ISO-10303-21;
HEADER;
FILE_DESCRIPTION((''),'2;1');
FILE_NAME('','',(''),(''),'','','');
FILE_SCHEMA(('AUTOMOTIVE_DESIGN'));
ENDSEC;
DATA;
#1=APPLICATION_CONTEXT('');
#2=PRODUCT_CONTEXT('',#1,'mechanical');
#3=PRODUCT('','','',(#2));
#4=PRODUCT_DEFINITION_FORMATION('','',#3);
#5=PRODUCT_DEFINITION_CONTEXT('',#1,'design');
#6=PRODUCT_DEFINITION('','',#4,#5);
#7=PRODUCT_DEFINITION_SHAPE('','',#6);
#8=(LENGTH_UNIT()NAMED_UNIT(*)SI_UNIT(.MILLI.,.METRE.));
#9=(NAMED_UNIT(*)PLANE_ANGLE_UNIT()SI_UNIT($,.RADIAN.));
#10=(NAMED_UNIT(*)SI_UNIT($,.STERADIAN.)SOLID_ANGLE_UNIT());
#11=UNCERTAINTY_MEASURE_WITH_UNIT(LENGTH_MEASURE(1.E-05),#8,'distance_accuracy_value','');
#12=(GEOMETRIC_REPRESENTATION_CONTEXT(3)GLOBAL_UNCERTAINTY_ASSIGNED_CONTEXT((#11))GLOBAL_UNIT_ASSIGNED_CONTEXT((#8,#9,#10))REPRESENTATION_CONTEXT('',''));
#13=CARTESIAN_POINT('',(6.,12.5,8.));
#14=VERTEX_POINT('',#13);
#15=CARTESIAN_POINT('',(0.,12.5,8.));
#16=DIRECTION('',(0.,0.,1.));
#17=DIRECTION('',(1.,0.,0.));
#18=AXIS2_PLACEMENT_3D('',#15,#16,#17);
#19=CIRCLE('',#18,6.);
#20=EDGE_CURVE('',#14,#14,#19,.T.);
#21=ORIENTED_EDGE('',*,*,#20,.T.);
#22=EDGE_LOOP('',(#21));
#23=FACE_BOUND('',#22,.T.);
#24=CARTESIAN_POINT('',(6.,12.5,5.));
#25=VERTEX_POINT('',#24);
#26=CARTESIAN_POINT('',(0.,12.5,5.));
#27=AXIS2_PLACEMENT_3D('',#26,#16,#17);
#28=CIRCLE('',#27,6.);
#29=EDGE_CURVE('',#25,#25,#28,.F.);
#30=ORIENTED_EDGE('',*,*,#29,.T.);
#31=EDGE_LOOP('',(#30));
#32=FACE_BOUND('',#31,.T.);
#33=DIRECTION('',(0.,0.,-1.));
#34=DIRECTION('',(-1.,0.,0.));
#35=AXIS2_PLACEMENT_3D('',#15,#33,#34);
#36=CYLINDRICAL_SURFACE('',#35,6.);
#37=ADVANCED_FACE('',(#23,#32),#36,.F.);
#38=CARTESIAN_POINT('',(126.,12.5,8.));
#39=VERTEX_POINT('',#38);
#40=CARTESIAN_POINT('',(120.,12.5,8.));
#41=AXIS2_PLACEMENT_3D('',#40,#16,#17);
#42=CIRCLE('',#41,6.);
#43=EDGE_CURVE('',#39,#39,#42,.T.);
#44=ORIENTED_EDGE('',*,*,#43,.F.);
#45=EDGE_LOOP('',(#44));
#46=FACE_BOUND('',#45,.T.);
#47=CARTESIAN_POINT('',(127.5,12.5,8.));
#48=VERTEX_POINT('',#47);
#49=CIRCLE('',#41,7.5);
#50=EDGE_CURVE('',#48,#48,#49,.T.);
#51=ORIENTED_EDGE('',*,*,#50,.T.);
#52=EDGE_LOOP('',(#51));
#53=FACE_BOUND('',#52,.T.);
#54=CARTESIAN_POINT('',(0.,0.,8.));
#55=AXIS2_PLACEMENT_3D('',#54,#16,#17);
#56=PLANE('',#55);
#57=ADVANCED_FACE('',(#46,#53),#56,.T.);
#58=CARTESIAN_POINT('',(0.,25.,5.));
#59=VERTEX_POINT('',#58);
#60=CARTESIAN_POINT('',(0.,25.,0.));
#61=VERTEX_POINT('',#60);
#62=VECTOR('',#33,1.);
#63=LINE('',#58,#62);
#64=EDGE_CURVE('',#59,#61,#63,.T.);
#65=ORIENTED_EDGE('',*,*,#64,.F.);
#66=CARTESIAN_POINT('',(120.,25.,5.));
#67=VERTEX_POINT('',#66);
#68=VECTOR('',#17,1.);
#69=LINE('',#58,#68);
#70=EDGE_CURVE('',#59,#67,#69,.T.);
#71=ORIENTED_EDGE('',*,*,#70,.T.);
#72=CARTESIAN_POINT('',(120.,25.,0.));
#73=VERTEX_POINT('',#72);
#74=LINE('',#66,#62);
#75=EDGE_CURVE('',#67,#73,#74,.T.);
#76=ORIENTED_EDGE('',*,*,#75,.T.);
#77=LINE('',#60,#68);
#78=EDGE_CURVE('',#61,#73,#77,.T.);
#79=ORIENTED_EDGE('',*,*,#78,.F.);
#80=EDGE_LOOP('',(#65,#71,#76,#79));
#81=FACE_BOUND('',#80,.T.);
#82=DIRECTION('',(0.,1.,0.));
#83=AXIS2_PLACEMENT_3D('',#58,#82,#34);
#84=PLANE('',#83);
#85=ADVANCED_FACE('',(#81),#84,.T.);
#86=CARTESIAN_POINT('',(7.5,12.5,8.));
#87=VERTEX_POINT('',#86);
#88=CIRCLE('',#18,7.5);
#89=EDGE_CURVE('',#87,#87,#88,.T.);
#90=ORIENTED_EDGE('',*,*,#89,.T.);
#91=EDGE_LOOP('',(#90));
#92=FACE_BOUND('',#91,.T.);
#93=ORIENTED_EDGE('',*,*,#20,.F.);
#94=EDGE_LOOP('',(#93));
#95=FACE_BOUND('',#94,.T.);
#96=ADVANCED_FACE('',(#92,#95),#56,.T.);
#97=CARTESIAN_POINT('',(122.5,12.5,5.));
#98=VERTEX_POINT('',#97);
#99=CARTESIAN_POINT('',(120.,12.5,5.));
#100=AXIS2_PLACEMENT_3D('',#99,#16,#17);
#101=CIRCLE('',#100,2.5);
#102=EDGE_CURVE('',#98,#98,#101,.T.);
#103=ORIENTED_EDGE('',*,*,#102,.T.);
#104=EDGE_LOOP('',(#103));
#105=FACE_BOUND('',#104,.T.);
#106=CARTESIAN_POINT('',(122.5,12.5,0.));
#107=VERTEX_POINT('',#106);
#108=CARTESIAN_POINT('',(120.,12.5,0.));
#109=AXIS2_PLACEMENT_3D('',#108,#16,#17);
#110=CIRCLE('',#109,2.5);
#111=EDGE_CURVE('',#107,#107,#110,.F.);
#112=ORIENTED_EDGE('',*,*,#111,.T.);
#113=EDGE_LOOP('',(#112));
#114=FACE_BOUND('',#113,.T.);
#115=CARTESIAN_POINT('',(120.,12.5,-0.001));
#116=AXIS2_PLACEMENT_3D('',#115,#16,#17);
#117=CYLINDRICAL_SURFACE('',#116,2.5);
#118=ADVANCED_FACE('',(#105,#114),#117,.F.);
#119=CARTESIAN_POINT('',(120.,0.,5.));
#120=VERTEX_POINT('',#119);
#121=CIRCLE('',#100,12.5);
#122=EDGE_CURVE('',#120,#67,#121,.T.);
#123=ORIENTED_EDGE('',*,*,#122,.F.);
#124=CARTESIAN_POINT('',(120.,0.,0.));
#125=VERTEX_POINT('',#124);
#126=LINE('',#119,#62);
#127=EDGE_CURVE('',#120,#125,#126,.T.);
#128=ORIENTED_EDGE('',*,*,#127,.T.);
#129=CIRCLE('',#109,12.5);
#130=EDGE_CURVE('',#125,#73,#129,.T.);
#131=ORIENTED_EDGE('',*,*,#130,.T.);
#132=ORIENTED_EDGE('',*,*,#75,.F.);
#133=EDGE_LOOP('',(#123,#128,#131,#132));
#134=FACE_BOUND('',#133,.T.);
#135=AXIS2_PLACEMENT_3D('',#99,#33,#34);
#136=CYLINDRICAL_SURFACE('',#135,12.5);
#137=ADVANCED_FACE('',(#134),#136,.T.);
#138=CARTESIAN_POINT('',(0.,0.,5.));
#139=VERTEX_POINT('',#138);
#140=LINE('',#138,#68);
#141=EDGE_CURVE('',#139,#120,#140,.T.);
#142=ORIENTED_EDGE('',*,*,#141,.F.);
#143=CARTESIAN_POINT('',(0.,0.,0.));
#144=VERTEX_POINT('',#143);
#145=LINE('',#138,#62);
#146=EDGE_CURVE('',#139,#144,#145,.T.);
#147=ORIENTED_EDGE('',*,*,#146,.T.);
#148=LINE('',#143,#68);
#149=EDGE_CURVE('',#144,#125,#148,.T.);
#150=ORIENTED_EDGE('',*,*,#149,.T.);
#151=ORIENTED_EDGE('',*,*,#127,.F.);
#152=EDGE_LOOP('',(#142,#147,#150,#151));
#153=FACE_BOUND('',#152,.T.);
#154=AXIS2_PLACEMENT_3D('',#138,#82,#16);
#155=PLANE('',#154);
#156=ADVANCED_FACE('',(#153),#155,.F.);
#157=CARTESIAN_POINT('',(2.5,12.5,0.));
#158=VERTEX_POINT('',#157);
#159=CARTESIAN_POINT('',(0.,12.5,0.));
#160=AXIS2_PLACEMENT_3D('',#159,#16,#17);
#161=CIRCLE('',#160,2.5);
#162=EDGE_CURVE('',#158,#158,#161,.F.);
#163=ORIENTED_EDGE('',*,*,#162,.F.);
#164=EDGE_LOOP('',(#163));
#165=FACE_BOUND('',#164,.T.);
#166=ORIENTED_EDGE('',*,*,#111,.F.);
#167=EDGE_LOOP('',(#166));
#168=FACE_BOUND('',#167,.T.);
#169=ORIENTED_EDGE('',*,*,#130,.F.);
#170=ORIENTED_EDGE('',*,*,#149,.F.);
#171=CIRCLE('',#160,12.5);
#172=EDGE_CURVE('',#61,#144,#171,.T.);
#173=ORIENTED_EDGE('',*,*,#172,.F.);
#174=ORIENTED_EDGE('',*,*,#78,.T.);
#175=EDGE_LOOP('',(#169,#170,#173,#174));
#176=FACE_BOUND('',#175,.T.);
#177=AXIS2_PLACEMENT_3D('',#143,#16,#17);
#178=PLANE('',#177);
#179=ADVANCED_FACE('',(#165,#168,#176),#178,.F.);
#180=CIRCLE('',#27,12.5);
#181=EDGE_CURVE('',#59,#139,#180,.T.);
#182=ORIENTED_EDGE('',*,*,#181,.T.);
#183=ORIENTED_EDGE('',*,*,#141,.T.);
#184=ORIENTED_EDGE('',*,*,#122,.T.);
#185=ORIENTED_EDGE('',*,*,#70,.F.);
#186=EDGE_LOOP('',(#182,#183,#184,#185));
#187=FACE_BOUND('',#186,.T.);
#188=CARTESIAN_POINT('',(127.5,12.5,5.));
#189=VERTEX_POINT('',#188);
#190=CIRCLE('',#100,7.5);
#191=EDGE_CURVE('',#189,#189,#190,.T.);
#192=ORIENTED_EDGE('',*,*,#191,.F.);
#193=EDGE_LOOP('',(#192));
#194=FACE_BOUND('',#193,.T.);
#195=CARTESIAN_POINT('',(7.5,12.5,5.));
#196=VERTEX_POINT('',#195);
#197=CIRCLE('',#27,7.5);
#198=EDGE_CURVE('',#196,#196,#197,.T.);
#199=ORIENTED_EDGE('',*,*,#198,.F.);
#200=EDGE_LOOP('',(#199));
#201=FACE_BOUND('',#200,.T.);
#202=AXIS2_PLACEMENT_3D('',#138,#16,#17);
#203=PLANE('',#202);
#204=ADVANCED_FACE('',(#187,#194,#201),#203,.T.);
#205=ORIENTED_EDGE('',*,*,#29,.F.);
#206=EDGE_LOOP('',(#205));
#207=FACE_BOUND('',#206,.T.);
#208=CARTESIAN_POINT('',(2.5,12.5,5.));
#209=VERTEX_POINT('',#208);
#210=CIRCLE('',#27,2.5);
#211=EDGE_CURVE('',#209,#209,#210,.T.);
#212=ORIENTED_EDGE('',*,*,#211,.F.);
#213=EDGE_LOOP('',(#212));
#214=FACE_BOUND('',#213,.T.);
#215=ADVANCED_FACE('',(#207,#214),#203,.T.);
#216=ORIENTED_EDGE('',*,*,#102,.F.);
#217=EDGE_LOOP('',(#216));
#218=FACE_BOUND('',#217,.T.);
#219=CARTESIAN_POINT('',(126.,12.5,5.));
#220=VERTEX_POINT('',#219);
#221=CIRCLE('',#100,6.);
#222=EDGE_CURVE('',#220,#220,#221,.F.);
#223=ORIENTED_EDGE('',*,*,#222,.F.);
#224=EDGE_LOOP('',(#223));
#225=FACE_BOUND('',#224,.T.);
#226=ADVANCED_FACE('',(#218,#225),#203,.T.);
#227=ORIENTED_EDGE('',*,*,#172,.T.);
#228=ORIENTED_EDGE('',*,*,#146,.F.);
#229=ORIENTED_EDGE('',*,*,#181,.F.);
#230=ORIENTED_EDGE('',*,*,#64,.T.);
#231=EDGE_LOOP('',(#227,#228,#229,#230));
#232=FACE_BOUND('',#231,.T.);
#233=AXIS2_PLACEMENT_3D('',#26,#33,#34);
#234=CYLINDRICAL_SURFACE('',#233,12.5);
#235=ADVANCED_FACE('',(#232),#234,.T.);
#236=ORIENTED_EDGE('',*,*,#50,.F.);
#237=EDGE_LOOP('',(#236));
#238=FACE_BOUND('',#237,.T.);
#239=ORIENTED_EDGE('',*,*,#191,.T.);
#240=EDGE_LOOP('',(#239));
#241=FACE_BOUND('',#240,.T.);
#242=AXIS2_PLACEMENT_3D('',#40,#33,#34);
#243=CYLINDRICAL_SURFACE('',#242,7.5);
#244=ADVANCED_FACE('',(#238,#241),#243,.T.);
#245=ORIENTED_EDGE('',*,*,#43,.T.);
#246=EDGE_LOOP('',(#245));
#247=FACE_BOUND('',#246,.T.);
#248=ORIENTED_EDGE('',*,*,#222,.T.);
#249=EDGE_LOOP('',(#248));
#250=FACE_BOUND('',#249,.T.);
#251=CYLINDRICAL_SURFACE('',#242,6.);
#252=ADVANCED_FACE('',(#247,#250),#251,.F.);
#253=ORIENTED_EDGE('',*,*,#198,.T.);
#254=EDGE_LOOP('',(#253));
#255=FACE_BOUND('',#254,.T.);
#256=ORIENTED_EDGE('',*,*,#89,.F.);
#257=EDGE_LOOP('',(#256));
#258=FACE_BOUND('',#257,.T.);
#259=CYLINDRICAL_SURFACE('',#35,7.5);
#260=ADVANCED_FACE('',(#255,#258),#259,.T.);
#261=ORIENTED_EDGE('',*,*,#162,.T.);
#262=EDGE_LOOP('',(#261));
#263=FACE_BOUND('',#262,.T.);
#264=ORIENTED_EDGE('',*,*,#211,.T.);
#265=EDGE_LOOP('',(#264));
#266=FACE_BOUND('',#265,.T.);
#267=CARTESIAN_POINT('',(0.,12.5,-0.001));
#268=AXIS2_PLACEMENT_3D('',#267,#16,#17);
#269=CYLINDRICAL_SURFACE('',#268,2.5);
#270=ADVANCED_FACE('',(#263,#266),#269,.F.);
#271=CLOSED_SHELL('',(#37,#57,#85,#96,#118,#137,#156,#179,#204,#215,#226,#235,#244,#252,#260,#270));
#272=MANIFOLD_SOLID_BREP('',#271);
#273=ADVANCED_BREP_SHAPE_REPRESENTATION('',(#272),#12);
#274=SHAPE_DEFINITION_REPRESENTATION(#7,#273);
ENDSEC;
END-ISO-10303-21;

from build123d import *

# Parameters (mm, degrees)
SKETCH1_R           = 12.5
SKETCH1_W           = 120
SKETCH1_H           = 25
BOSS_EXTRUDE2_DEPTH = 5
CUT_EXTRUDE3_REACH  = 136.931
SKETCH3_R           = 2.5
SKETCH3_3_R         = 7.5
SKETCH3_3_R_2       = 6
BOSS_EXTRUDE3_DEPTH = 3


with BuildPart() as part:
    # Sketch1 → Boss-Extrude2 (new body)
    with BuildSketch(Plane.XY):
        with Locations((0, 12.5)):
            Circle(SKETCH1_R)
        with Locations((120, 12.5)):
            Circle(SKETCH1_R)
        with Locations((60, 12.5)):
            Rectangle(SKETCH1_W, SKETCH1_H)
    extrude(amount=BOSS_EXTRUDE2_DEPTH)

    # Sketch3 → Cut-Extrude3 (cut, up to next)
    with BuildSketch(Plane.XY.offset(5), mode=Mode.PRIVATE) as cut_extrude3_sk1:
        with Locations((0, 12.5)):
            Circle(SKETCH3_R)
    cut_extrude3_tool1 = extrude(cut_extrude3_sk1.sketch, amount=-CUT_EXTRUDE3_REACH, mode=Mode.PRIVATE) & part.part
    # Sketch3 → Cut-Extrude3 (cut, up to next)
    with BuildSketch(Plane.XY.offset(5), mode=Mode.PRIVATE) as cut_extrude3_sk2:
        with Locations((120, 12.5)):
            Circle(SKETCH3_R)
    cut_extrude3_tool2 = extrude(cut_extrude3_sk2.sketch, amount=-CUT_EXTRUDE3_REACH, mode=Mode.PRIVATE) & part.part
    add(cut_extrude3_tool1.solids().sort_by_distance((0, 12.5, 5))[0], mode=Mode.SUBTRACT)
    add(cut_extrude3_tool2.solids().sort_by_distance((120, 12.5, 5))[0], mode=Mode.SUBTRACT)

    # Sketch3<3> → Boss-Extrude3 (add)
    # profile 1 of 2: a face of its own
    with BuildSketch(Plane.XY.offset(5)):
        with Locations((0, 12.5)):
            Circle(SKETCH3_3_R)
        with Locations((0, 12.5)):
            Circle(SKETCH3_3_R_2, mode=Mode.SUBTRACT)
    # profile 2 of 2: a face of its own
    with BuildSketch(Plane.XY.offset(5)):
        with Locations((120, 12.5)):
            Circle(SKETCH3_3_R)
        with Locations((120, 12.5)):
            Circle(SKETCH3_3_R_2, mode=Mode.SUBTRACT)
    extrude(amount=BOSS_EXTRUDE3_DEPTH)


solid = part.part
